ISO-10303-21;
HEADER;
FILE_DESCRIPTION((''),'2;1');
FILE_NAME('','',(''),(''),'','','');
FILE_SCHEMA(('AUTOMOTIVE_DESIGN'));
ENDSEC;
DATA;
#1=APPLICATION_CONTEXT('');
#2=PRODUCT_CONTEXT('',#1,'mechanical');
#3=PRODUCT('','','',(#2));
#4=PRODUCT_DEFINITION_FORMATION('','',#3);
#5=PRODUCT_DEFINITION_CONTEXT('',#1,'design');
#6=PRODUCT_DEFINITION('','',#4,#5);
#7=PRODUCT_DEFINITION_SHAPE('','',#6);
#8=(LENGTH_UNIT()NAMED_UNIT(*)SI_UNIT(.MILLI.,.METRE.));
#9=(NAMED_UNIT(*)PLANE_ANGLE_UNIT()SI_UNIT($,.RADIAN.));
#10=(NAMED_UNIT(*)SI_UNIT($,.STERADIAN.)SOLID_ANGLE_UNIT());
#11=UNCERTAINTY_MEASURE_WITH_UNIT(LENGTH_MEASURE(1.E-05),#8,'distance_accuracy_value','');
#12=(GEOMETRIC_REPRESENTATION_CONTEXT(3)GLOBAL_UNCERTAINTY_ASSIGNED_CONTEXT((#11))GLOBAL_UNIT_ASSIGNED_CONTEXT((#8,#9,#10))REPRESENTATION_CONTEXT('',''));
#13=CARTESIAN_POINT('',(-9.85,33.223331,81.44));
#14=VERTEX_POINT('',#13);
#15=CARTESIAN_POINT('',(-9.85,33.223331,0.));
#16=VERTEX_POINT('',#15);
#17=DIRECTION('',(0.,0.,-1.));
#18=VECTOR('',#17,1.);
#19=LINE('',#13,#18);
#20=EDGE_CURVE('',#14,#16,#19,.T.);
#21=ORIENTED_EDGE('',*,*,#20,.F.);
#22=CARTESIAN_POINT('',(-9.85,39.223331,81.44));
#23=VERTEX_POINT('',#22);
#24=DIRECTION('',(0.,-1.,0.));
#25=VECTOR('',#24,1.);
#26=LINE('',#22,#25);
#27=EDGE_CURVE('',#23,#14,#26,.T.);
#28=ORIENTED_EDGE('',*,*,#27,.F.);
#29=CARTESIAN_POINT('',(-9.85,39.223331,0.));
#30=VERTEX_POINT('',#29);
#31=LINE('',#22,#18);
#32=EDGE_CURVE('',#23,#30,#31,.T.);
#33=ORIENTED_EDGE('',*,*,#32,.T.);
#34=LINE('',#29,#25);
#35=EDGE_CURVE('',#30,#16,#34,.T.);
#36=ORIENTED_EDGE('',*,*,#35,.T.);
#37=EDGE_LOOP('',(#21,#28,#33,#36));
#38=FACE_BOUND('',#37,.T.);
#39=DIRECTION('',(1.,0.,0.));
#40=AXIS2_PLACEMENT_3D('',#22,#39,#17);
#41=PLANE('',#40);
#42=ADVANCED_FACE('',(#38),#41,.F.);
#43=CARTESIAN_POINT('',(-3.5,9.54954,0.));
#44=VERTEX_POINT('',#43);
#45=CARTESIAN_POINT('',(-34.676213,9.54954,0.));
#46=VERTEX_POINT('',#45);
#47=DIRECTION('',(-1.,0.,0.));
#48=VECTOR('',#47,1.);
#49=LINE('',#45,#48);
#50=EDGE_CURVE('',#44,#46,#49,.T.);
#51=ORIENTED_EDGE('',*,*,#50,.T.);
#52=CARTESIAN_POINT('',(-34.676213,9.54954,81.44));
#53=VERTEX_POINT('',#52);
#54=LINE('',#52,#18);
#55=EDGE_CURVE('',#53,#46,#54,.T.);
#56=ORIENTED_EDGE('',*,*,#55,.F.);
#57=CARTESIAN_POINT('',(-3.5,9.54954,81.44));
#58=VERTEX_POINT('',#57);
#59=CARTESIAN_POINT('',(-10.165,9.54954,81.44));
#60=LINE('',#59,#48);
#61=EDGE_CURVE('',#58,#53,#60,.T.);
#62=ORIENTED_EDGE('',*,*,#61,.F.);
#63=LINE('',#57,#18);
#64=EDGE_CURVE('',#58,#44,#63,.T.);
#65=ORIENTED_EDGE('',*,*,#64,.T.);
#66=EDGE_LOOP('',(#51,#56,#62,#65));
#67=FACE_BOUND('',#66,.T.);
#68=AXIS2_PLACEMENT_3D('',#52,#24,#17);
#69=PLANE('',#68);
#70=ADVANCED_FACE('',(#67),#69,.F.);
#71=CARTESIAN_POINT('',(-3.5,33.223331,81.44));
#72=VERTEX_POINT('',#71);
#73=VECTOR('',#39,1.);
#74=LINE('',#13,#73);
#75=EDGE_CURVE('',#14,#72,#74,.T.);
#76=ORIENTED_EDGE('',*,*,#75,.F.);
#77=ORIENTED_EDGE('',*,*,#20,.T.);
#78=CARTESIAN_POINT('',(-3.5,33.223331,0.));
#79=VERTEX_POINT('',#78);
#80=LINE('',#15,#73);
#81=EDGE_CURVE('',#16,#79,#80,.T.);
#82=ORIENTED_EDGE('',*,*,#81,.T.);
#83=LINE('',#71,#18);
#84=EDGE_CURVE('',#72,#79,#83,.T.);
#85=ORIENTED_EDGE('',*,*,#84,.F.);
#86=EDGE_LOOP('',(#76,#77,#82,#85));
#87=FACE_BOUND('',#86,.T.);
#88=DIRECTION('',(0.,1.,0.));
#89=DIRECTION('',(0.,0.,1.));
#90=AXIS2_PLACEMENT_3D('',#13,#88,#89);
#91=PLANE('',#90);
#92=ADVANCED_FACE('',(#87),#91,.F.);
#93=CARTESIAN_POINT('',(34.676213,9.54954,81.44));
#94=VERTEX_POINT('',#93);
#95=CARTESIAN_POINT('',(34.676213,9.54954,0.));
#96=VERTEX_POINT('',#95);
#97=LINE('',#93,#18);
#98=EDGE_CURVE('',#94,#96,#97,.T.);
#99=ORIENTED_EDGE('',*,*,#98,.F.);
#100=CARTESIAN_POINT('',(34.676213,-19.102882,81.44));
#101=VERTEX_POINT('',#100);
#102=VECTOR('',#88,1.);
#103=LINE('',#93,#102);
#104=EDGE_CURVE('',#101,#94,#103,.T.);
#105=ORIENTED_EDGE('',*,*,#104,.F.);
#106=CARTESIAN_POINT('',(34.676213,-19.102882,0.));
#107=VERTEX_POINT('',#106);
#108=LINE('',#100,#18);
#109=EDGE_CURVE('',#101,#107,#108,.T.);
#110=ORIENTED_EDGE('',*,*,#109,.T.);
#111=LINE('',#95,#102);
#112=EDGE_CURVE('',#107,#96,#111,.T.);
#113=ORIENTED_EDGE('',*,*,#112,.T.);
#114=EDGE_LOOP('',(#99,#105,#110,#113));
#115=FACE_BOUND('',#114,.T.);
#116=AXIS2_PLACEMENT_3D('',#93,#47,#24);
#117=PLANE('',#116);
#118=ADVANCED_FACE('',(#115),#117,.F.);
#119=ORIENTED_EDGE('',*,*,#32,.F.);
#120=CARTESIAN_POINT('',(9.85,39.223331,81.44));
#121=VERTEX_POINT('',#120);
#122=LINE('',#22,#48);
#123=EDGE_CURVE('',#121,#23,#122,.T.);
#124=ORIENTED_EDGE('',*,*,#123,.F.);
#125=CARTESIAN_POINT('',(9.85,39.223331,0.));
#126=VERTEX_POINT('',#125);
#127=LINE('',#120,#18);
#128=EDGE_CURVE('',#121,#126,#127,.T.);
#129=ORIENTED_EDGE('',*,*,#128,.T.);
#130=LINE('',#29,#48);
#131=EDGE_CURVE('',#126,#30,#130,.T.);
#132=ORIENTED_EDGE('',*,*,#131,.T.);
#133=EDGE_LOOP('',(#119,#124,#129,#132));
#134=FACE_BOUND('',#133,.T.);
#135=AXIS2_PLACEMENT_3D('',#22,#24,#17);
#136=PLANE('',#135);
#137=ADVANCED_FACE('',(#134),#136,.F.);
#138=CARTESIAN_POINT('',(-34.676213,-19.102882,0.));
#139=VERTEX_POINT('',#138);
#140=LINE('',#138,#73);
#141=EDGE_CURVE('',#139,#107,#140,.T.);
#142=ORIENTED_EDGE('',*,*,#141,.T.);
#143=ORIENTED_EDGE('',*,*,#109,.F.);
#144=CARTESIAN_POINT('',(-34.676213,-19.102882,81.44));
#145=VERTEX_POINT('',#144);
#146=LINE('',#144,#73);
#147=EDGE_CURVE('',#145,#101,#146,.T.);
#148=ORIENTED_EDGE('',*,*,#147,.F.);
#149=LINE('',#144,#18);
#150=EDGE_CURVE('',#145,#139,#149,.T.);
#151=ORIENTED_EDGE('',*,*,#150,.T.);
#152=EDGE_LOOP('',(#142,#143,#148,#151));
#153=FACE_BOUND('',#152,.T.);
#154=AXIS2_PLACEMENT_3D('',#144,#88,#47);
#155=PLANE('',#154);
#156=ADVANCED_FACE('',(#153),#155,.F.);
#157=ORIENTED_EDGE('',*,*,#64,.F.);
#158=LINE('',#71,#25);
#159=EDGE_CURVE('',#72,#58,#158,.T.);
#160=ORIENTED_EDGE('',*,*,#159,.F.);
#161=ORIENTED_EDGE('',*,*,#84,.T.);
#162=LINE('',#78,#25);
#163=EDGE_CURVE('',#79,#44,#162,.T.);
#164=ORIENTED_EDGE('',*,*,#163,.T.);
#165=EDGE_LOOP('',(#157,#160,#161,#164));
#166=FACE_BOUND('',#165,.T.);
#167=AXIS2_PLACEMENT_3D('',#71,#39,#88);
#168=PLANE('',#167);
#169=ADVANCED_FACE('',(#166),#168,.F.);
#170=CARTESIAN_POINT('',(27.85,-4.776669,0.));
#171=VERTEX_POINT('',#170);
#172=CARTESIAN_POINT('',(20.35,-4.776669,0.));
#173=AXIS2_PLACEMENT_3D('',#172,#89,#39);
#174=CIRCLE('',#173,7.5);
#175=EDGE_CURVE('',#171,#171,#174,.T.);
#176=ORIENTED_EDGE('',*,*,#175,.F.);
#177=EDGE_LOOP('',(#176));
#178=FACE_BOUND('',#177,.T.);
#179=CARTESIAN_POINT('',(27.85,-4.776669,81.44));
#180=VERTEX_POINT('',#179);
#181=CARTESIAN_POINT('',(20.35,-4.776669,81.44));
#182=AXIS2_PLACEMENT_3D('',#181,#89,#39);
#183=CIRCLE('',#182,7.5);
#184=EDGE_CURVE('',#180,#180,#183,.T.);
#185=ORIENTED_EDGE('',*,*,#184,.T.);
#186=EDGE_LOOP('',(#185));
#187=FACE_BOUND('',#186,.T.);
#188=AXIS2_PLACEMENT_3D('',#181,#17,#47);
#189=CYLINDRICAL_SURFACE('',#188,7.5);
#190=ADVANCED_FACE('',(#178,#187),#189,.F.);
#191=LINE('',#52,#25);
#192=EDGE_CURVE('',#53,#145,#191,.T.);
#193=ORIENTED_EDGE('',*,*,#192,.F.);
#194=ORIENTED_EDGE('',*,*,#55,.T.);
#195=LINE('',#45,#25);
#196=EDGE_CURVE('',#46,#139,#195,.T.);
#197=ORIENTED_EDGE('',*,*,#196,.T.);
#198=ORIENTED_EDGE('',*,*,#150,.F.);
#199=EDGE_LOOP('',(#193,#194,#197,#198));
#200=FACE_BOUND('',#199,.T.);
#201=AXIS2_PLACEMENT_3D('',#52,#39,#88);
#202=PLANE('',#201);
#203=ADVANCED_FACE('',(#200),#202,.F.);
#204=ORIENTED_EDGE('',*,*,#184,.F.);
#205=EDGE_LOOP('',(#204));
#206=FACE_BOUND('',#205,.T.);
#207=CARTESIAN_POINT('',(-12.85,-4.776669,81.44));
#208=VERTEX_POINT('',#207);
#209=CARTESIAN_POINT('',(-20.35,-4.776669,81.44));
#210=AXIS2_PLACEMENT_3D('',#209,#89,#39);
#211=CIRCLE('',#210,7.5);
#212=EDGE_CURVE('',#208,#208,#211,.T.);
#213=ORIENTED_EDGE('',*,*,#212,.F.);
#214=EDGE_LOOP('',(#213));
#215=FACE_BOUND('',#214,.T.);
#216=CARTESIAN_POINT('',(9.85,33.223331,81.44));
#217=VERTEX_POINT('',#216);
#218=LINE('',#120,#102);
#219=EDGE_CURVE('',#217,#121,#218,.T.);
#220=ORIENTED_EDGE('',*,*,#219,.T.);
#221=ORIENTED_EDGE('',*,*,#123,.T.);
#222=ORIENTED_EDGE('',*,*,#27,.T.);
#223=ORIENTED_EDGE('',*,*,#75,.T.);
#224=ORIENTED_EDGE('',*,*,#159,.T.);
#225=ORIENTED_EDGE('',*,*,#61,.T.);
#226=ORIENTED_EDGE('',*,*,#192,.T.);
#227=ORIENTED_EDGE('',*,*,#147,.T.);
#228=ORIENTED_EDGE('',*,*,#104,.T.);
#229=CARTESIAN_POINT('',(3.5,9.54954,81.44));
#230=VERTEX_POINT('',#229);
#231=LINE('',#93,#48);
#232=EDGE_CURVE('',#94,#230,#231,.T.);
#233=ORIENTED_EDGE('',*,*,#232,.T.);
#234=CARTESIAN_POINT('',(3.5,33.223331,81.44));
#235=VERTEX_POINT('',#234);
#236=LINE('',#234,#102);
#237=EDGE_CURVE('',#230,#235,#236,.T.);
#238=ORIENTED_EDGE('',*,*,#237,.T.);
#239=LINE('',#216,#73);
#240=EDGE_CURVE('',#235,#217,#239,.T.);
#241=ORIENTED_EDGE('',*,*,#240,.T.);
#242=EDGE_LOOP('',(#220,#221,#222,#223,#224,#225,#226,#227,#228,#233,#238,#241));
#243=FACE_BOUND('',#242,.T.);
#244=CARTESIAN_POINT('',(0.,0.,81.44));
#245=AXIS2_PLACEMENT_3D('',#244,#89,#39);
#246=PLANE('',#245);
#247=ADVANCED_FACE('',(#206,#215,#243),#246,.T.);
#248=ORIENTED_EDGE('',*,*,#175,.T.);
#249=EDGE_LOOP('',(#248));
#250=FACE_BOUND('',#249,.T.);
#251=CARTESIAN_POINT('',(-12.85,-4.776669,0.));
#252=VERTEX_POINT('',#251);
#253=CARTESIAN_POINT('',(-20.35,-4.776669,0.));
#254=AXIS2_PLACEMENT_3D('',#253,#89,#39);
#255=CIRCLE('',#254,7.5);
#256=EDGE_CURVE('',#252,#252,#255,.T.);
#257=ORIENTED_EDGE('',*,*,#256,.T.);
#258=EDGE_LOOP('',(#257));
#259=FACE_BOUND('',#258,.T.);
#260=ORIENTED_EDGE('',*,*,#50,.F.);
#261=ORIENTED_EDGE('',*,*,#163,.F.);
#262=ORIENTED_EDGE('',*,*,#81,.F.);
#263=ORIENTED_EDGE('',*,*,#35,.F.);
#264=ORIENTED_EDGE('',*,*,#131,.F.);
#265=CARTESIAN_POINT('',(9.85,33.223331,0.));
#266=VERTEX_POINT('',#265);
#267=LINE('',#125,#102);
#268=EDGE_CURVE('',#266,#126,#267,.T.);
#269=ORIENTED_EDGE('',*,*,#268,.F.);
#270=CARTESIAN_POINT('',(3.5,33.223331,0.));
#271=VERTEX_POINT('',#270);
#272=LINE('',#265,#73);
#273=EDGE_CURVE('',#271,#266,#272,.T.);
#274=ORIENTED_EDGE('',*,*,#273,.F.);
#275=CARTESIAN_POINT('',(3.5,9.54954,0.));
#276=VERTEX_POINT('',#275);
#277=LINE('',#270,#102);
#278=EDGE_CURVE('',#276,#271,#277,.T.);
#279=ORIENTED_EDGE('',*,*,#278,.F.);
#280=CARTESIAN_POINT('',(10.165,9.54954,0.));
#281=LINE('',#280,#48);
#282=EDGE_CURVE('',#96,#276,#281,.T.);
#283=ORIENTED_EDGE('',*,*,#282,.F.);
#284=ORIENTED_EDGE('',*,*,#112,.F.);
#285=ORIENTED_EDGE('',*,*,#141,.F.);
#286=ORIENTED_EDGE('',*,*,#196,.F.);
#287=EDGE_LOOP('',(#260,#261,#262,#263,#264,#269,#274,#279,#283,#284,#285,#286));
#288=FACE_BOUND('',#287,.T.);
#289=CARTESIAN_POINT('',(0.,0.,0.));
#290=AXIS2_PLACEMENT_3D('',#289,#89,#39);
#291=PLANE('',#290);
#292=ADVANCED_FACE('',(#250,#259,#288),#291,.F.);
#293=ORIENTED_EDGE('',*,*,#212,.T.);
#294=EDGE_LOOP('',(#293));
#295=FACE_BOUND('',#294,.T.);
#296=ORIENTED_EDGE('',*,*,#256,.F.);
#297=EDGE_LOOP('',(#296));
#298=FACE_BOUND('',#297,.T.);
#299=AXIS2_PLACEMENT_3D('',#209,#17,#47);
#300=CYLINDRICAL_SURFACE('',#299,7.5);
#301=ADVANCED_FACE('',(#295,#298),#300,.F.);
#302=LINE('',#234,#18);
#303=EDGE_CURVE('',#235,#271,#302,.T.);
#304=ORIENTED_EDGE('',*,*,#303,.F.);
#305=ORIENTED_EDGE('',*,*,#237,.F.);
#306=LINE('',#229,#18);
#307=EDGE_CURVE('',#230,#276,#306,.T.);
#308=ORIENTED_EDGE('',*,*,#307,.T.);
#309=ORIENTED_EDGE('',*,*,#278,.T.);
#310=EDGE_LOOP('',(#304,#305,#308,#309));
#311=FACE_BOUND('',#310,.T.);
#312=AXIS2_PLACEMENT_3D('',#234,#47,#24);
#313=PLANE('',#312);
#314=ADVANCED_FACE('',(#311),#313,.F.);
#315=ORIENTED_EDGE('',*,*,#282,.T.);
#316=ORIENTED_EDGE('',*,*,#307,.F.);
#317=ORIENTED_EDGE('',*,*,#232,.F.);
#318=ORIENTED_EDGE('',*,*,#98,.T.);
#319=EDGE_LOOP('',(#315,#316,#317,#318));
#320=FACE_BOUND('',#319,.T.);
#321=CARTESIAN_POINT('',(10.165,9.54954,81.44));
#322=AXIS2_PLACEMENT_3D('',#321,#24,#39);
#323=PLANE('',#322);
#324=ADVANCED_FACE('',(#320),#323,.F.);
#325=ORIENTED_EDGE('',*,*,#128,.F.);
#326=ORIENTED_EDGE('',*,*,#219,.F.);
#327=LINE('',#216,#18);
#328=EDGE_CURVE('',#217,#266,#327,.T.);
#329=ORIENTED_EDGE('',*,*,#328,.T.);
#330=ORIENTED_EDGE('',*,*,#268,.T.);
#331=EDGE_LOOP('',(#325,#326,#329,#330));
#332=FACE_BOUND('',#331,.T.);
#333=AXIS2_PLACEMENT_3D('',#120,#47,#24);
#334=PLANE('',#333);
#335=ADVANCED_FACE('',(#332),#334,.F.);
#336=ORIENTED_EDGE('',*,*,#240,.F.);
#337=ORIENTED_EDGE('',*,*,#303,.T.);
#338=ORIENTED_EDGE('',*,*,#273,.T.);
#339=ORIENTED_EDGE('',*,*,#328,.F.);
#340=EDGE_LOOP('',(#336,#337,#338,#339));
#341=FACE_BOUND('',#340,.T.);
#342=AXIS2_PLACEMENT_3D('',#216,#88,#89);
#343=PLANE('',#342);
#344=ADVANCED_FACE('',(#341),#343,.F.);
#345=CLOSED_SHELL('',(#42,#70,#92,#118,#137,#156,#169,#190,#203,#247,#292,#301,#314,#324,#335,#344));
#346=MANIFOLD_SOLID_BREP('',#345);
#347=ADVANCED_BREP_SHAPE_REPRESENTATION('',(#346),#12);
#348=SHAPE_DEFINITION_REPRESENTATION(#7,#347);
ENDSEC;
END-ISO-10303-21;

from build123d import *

# Parameters (mm, degrees)
SKETCH1_R           = 7.5
SKETCH1_R_2         = 7.499999997
BOSS_EXTRUDE1_DEPTH = 81.44


with BuildPart() as part:
    # Sketch1 → Boss-Extrude1 (new body)
    with BuildSketch(Plane.XY):
        Polygon((-9.85, 39.223330846), (9.85, 39.223330846), (9.85, 33.223330846), (3.5, 33.223330846), (3.5, 9.549540446), (10.165, 9.549540446), (34.6762132, 9.549540446), (34.6762132, -19.102882354), (-34.6762132, -19.102882354), (-34.6762132, 9.549540446), (-10.165, 9.549540446), (-3.5, 9.549540446), (-3.5, 33.223330846), (-9.85, 33.223330846), align=None)
        with Locations((-20.35, -4.776669154)):
            Circle(SKETCH1_R, mode=Mode.SUBTRACT)
        with Locations((20.35, -4.776669154)):
            Circle(SKETCH1_R_2, mode=Mode.SUBTRACT)
    extrude(amount=BOSS_EXTRUDE1_DEPTH)


solid = part.part
